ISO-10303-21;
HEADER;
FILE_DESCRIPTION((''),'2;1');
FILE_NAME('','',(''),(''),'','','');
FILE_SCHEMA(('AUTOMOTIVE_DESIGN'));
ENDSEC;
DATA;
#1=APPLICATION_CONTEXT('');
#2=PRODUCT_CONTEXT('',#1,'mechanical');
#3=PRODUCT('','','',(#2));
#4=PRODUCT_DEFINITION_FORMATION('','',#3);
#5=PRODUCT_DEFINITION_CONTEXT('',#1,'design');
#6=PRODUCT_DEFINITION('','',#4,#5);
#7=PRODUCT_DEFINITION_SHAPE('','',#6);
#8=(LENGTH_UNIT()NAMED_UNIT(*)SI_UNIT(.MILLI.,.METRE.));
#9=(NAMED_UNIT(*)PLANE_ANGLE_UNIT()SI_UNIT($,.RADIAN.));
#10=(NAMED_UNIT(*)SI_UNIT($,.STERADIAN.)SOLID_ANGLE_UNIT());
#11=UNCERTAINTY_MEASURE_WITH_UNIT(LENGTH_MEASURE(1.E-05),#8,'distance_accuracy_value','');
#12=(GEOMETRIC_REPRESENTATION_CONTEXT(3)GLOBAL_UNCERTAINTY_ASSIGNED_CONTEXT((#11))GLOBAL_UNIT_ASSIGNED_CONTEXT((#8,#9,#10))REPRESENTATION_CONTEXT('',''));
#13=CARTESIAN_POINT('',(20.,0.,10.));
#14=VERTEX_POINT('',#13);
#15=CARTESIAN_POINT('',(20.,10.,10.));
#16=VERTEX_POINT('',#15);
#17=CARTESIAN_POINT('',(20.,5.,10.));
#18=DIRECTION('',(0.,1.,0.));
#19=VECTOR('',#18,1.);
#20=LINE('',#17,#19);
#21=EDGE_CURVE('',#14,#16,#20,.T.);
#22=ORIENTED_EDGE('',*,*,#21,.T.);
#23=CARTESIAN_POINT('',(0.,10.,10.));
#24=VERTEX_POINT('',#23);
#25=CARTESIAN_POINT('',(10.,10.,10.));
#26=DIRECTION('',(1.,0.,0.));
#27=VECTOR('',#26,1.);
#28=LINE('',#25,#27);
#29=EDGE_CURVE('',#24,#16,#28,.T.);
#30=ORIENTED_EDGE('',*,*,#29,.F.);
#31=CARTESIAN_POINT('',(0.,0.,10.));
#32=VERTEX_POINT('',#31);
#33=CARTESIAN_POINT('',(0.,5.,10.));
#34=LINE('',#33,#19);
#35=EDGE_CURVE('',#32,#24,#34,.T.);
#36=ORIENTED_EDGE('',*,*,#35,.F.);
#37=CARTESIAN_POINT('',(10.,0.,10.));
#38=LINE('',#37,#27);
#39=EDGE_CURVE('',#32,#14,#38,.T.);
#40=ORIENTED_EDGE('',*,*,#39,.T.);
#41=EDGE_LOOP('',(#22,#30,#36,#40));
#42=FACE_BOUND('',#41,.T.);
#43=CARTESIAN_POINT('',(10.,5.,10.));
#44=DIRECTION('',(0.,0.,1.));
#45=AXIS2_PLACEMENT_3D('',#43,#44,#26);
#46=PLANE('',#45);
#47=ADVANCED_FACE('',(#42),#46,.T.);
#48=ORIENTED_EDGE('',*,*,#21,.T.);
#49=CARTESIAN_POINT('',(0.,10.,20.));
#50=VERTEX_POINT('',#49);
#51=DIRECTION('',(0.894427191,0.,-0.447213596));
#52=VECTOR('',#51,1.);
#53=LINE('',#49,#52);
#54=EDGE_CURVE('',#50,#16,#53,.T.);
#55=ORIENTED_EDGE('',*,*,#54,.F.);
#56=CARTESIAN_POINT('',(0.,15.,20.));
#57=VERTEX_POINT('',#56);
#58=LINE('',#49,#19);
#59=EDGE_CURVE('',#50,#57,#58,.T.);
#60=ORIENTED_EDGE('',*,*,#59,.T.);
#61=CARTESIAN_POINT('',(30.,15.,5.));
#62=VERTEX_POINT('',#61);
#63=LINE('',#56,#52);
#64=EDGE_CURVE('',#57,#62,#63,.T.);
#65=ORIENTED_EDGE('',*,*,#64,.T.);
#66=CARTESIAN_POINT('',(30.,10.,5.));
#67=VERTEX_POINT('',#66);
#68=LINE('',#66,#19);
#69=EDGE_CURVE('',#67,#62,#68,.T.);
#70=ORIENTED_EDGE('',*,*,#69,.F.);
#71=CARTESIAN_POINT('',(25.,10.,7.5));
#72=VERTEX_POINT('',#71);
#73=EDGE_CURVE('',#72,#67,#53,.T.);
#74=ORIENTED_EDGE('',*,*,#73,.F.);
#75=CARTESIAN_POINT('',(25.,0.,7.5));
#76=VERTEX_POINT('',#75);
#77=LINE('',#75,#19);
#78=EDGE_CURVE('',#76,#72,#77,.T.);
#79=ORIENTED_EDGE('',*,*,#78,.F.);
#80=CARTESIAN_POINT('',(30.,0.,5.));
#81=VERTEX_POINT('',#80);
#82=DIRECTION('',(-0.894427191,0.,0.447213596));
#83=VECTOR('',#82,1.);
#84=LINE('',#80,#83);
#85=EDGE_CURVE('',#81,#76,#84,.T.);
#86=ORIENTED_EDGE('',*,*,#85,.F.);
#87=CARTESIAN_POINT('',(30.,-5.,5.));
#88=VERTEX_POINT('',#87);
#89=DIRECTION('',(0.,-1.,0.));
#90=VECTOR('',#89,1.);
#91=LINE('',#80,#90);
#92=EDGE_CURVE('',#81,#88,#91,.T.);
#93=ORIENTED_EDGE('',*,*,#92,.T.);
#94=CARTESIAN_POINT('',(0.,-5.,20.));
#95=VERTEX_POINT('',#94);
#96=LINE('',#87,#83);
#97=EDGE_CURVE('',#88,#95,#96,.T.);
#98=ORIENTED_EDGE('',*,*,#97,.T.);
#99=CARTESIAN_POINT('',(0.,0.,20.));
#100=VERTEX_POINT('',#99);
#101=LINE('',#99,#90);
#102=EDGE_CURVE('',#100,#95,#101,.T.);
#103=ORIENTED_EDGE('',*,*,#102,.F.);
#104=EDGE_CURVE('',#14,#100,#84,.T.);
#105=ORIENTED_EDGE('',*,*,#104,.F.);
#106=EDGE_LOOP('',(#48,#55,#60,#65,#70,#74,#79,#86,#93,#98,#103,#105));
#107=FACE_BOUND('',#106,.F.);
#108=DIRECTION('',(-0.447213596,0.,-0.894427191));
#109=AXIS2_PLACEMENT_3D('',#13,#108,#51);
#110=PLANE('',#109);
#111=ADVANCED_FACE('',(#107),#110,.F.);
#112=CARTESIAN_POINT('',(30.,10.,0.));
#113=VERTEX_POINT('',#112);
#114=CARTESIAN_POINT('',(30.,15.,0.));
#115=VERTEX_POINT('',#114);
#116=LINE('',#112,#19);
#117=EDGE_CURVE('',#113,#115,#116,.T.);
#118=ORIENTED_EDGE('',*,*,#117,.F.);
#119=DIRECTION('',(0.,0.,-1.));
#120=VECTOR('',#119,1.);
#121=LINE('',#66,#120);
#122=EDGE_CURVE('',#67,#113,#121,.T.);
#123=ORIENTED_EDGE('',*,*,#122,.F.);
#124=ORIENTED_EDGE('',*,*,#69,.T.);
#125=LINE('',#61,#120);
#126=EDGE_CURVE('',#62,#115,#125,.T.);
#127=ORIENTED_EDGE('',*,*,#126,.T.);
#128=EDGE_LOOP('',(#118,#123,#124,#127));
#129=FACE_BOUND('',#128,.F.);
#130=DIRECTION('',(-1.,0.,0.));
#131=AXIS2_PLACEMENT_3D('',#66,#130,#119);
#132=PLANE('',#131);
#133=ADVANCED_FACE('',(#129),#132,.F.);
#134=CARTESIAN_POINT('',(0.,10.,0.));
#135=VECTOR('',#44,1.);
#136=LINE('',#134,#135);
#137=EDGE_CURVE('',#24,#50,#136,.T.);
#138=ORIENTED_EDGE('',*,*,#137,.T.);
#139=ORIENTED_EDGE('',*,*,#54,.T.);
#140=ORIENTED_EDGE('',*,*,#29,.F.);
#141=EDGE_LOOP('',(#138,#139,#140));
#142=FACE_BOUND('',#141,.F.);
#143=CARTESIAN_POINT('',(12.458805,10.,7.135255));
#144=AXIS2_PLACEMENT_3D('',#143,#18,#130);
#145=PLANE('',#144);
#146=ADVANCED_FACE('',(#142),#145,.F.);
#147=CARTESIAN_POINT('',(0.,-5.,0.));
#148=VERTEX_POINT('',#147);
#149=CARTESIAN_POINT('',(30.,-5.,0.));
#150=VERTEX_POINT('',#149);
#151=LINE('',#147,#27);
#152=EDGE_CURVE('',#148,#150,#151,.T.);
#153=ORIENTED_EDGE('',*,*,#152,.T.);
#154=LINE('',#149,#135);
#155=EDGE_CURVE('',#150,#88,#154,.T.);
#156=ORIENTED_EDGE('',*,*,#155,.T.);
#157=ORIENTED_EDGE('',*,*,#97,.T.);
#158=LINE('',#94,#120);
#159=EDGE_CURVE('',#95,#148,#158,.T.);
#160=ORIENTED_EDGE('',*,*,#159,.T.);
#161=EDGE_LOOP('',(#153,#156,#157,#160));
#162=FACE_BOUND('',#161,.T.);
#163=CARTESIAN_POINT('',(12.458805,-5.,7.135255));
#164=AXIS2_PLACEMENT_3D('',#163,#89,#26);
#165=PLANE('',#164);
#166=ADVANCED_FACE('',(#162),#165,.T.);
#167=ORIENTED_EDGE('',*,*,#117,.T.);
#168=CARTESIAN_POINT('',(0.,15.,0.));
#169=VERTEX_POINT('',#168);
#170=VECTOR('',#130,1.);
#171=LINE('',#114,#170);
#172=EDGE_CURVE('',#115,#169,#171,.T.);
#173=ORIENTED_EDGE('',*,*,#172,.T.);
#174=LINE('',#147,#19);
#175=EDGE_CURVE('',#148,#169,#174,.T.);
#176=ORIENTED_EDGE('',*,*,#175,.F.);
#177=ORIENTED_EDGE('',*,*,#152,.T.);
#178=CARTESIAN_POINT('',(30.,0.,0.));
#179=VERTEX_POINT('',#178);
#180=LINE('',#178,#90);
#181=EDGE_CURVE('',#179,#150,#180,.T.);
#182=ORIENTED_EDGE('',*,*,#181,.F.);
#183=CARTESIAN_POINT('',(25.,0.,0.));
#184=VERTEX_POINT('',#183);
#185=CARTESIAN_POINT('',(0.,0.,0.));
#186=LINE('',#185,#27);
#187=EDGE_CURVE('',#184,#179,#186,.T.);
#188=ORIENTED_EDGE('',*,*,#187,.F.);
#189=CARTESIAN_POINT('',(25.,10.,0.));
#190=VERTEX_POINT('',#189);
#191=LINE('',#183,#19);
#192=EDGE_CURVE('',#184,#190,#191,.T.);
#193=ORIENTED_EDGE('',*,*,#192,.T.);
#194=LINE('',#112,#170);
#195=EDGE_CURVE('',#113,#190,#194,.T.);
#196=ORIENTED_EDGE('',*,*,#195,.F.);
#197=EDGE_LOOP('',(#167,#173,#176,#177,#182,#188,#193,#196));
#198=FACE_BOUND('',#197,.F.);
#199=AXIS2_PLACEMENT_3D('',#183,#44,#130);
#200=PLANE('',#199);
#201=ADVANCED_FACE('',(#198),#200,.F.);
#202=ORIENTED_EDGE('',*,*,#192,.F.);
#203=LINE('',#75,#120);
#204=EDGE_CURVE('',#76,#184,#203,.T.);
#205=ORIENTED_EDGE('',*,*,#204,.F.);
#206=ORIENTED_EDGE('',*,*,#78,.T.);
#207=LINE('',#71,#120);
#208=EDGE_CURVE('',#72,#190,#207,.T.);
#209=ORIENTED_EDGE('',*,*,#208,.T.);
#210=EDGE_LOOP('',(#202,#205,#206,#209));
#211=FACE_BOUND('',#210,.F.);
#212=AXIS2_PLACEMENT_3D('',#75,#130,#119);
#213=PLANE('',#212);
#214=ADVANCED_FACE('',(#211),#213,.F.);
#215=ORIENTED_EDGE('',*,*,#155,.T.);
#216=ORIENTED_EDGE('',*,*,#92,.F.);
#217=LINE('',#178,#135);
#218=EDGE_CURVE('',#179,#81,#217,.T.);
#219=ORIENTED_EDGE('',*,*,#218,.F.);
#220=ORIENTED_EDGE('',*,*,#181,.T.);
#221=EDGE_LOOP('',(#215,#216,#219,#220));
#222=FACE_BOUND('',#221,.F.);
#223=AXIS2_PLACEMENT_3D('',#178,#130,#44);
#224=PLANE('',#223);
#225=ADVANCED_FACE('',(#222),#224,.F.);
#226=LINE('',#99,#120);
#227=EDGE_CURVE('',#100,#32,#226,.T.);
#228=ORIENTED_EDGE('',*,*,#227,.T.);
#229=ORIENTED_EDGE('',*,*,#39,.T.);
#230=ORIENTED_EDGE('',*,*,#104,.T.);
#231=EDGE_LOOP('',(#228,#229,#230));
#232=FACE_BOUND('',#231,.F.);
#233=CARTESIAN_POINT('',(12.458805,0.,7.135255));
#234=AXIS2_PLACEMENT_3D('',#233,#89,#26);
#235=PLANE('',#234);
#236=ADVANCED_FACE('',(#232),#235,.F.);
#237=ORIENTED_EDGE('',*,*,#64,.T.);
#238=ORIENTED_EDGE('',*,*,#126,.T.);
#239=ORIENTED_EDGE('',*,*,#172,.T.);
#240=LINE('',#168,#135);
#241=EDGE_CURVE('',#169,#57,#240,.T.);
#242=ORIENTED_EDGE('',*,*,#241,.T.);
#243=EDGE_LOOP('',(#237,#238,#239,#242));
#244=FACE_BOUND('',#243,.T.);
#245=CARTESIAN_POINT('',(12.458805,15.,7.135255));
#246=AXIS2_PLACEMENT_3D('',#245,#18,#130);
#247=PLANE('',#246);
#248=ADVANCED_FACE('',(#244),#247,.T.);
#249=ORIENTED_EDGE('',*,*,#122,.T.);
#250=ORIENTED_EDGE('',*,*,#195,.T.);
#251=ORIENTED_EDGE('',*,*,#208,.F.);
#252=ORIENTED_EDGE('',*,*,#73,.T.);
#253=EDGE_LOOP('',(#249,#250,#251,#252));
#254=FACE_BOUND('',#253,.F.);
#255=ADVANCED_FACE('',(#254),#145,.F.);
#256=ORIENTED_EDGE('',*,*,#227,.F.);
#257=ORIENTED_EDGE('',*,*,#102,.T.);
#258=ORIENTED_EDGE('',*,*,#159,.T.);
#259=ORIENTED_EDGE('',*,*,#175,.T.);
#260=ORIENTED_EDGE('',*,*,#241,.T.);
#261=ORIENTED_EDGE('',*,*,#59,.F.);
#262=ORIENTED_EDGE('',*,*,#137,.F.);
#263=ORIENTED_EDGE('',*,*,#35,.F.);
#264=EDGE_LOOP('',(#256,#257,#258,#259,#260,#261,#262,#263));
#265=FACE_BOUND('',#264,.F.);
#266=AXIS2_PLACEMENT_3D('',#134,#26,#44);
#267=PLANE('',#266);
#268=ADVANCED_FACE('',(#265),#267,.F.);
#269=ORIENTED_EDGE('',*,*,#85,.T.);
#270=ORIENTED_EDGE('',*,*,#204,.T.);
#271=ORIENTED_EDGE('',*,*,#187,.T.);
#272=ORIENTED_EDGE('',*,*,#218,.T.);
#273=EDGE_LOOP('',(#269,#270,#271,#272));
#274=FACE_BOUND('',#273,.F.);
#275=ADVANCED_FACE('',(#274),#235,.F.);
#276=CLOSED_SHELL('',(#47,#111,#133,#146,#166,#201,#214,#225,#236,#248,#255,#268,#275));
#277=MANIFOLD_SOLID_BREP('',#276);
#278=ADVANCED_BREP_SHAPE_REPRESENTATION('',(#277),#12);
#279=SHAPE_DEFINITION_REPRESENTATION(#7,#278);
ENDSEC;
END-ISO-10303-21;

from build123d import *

# Parameters (mm, degrees)
F1_DEPTH = 5
F2_W     = 20
F2_H     = 10
F3_DEPTH = 10
F5_DEPTH = 5
F7_DEPTH = 10


with BuildPart() as f1:
    # F0 (on Front) → F1 (new body)
    with BuildSketch(Plane.XZ):
        Polygon((0, 20), (0, 0), (30, 0), (30, 5), align=None)
    extrude(amount=F1_DEPTH)

    # F2 (on Top) → F3 (join)
    with BuildSketch(Plane.XY):
        with Locations((10, 5)):
            Rectangle(F2_W, F2_H)
    extrude(amount=F3_DEPTH)

    # F4 (on face) → F5 (join)
    with BuildSketch(Plane(origin=(0, 10, 0), x_dir=(-1, 0, 0), z_dir=(0, 1, 0))):
        Polygon((-30, 0), (0, 0), (0, 20), (-30, 5), align=None)
    extrude(amount=F5_DEPTH)

    # F6 (on face) → F7 (join, through all)
    with BuildSketch(Plane(origin=(0, 0, 0), x_dir=(-1, 0, 0), z_dir=(0, 1, 0))):
        Polygon((-20, 10), (-25, 7.5), (-25, 0), (-20, 0), align=None)
    extrude(amount=F7_DEPTH)


solid = f1.part
